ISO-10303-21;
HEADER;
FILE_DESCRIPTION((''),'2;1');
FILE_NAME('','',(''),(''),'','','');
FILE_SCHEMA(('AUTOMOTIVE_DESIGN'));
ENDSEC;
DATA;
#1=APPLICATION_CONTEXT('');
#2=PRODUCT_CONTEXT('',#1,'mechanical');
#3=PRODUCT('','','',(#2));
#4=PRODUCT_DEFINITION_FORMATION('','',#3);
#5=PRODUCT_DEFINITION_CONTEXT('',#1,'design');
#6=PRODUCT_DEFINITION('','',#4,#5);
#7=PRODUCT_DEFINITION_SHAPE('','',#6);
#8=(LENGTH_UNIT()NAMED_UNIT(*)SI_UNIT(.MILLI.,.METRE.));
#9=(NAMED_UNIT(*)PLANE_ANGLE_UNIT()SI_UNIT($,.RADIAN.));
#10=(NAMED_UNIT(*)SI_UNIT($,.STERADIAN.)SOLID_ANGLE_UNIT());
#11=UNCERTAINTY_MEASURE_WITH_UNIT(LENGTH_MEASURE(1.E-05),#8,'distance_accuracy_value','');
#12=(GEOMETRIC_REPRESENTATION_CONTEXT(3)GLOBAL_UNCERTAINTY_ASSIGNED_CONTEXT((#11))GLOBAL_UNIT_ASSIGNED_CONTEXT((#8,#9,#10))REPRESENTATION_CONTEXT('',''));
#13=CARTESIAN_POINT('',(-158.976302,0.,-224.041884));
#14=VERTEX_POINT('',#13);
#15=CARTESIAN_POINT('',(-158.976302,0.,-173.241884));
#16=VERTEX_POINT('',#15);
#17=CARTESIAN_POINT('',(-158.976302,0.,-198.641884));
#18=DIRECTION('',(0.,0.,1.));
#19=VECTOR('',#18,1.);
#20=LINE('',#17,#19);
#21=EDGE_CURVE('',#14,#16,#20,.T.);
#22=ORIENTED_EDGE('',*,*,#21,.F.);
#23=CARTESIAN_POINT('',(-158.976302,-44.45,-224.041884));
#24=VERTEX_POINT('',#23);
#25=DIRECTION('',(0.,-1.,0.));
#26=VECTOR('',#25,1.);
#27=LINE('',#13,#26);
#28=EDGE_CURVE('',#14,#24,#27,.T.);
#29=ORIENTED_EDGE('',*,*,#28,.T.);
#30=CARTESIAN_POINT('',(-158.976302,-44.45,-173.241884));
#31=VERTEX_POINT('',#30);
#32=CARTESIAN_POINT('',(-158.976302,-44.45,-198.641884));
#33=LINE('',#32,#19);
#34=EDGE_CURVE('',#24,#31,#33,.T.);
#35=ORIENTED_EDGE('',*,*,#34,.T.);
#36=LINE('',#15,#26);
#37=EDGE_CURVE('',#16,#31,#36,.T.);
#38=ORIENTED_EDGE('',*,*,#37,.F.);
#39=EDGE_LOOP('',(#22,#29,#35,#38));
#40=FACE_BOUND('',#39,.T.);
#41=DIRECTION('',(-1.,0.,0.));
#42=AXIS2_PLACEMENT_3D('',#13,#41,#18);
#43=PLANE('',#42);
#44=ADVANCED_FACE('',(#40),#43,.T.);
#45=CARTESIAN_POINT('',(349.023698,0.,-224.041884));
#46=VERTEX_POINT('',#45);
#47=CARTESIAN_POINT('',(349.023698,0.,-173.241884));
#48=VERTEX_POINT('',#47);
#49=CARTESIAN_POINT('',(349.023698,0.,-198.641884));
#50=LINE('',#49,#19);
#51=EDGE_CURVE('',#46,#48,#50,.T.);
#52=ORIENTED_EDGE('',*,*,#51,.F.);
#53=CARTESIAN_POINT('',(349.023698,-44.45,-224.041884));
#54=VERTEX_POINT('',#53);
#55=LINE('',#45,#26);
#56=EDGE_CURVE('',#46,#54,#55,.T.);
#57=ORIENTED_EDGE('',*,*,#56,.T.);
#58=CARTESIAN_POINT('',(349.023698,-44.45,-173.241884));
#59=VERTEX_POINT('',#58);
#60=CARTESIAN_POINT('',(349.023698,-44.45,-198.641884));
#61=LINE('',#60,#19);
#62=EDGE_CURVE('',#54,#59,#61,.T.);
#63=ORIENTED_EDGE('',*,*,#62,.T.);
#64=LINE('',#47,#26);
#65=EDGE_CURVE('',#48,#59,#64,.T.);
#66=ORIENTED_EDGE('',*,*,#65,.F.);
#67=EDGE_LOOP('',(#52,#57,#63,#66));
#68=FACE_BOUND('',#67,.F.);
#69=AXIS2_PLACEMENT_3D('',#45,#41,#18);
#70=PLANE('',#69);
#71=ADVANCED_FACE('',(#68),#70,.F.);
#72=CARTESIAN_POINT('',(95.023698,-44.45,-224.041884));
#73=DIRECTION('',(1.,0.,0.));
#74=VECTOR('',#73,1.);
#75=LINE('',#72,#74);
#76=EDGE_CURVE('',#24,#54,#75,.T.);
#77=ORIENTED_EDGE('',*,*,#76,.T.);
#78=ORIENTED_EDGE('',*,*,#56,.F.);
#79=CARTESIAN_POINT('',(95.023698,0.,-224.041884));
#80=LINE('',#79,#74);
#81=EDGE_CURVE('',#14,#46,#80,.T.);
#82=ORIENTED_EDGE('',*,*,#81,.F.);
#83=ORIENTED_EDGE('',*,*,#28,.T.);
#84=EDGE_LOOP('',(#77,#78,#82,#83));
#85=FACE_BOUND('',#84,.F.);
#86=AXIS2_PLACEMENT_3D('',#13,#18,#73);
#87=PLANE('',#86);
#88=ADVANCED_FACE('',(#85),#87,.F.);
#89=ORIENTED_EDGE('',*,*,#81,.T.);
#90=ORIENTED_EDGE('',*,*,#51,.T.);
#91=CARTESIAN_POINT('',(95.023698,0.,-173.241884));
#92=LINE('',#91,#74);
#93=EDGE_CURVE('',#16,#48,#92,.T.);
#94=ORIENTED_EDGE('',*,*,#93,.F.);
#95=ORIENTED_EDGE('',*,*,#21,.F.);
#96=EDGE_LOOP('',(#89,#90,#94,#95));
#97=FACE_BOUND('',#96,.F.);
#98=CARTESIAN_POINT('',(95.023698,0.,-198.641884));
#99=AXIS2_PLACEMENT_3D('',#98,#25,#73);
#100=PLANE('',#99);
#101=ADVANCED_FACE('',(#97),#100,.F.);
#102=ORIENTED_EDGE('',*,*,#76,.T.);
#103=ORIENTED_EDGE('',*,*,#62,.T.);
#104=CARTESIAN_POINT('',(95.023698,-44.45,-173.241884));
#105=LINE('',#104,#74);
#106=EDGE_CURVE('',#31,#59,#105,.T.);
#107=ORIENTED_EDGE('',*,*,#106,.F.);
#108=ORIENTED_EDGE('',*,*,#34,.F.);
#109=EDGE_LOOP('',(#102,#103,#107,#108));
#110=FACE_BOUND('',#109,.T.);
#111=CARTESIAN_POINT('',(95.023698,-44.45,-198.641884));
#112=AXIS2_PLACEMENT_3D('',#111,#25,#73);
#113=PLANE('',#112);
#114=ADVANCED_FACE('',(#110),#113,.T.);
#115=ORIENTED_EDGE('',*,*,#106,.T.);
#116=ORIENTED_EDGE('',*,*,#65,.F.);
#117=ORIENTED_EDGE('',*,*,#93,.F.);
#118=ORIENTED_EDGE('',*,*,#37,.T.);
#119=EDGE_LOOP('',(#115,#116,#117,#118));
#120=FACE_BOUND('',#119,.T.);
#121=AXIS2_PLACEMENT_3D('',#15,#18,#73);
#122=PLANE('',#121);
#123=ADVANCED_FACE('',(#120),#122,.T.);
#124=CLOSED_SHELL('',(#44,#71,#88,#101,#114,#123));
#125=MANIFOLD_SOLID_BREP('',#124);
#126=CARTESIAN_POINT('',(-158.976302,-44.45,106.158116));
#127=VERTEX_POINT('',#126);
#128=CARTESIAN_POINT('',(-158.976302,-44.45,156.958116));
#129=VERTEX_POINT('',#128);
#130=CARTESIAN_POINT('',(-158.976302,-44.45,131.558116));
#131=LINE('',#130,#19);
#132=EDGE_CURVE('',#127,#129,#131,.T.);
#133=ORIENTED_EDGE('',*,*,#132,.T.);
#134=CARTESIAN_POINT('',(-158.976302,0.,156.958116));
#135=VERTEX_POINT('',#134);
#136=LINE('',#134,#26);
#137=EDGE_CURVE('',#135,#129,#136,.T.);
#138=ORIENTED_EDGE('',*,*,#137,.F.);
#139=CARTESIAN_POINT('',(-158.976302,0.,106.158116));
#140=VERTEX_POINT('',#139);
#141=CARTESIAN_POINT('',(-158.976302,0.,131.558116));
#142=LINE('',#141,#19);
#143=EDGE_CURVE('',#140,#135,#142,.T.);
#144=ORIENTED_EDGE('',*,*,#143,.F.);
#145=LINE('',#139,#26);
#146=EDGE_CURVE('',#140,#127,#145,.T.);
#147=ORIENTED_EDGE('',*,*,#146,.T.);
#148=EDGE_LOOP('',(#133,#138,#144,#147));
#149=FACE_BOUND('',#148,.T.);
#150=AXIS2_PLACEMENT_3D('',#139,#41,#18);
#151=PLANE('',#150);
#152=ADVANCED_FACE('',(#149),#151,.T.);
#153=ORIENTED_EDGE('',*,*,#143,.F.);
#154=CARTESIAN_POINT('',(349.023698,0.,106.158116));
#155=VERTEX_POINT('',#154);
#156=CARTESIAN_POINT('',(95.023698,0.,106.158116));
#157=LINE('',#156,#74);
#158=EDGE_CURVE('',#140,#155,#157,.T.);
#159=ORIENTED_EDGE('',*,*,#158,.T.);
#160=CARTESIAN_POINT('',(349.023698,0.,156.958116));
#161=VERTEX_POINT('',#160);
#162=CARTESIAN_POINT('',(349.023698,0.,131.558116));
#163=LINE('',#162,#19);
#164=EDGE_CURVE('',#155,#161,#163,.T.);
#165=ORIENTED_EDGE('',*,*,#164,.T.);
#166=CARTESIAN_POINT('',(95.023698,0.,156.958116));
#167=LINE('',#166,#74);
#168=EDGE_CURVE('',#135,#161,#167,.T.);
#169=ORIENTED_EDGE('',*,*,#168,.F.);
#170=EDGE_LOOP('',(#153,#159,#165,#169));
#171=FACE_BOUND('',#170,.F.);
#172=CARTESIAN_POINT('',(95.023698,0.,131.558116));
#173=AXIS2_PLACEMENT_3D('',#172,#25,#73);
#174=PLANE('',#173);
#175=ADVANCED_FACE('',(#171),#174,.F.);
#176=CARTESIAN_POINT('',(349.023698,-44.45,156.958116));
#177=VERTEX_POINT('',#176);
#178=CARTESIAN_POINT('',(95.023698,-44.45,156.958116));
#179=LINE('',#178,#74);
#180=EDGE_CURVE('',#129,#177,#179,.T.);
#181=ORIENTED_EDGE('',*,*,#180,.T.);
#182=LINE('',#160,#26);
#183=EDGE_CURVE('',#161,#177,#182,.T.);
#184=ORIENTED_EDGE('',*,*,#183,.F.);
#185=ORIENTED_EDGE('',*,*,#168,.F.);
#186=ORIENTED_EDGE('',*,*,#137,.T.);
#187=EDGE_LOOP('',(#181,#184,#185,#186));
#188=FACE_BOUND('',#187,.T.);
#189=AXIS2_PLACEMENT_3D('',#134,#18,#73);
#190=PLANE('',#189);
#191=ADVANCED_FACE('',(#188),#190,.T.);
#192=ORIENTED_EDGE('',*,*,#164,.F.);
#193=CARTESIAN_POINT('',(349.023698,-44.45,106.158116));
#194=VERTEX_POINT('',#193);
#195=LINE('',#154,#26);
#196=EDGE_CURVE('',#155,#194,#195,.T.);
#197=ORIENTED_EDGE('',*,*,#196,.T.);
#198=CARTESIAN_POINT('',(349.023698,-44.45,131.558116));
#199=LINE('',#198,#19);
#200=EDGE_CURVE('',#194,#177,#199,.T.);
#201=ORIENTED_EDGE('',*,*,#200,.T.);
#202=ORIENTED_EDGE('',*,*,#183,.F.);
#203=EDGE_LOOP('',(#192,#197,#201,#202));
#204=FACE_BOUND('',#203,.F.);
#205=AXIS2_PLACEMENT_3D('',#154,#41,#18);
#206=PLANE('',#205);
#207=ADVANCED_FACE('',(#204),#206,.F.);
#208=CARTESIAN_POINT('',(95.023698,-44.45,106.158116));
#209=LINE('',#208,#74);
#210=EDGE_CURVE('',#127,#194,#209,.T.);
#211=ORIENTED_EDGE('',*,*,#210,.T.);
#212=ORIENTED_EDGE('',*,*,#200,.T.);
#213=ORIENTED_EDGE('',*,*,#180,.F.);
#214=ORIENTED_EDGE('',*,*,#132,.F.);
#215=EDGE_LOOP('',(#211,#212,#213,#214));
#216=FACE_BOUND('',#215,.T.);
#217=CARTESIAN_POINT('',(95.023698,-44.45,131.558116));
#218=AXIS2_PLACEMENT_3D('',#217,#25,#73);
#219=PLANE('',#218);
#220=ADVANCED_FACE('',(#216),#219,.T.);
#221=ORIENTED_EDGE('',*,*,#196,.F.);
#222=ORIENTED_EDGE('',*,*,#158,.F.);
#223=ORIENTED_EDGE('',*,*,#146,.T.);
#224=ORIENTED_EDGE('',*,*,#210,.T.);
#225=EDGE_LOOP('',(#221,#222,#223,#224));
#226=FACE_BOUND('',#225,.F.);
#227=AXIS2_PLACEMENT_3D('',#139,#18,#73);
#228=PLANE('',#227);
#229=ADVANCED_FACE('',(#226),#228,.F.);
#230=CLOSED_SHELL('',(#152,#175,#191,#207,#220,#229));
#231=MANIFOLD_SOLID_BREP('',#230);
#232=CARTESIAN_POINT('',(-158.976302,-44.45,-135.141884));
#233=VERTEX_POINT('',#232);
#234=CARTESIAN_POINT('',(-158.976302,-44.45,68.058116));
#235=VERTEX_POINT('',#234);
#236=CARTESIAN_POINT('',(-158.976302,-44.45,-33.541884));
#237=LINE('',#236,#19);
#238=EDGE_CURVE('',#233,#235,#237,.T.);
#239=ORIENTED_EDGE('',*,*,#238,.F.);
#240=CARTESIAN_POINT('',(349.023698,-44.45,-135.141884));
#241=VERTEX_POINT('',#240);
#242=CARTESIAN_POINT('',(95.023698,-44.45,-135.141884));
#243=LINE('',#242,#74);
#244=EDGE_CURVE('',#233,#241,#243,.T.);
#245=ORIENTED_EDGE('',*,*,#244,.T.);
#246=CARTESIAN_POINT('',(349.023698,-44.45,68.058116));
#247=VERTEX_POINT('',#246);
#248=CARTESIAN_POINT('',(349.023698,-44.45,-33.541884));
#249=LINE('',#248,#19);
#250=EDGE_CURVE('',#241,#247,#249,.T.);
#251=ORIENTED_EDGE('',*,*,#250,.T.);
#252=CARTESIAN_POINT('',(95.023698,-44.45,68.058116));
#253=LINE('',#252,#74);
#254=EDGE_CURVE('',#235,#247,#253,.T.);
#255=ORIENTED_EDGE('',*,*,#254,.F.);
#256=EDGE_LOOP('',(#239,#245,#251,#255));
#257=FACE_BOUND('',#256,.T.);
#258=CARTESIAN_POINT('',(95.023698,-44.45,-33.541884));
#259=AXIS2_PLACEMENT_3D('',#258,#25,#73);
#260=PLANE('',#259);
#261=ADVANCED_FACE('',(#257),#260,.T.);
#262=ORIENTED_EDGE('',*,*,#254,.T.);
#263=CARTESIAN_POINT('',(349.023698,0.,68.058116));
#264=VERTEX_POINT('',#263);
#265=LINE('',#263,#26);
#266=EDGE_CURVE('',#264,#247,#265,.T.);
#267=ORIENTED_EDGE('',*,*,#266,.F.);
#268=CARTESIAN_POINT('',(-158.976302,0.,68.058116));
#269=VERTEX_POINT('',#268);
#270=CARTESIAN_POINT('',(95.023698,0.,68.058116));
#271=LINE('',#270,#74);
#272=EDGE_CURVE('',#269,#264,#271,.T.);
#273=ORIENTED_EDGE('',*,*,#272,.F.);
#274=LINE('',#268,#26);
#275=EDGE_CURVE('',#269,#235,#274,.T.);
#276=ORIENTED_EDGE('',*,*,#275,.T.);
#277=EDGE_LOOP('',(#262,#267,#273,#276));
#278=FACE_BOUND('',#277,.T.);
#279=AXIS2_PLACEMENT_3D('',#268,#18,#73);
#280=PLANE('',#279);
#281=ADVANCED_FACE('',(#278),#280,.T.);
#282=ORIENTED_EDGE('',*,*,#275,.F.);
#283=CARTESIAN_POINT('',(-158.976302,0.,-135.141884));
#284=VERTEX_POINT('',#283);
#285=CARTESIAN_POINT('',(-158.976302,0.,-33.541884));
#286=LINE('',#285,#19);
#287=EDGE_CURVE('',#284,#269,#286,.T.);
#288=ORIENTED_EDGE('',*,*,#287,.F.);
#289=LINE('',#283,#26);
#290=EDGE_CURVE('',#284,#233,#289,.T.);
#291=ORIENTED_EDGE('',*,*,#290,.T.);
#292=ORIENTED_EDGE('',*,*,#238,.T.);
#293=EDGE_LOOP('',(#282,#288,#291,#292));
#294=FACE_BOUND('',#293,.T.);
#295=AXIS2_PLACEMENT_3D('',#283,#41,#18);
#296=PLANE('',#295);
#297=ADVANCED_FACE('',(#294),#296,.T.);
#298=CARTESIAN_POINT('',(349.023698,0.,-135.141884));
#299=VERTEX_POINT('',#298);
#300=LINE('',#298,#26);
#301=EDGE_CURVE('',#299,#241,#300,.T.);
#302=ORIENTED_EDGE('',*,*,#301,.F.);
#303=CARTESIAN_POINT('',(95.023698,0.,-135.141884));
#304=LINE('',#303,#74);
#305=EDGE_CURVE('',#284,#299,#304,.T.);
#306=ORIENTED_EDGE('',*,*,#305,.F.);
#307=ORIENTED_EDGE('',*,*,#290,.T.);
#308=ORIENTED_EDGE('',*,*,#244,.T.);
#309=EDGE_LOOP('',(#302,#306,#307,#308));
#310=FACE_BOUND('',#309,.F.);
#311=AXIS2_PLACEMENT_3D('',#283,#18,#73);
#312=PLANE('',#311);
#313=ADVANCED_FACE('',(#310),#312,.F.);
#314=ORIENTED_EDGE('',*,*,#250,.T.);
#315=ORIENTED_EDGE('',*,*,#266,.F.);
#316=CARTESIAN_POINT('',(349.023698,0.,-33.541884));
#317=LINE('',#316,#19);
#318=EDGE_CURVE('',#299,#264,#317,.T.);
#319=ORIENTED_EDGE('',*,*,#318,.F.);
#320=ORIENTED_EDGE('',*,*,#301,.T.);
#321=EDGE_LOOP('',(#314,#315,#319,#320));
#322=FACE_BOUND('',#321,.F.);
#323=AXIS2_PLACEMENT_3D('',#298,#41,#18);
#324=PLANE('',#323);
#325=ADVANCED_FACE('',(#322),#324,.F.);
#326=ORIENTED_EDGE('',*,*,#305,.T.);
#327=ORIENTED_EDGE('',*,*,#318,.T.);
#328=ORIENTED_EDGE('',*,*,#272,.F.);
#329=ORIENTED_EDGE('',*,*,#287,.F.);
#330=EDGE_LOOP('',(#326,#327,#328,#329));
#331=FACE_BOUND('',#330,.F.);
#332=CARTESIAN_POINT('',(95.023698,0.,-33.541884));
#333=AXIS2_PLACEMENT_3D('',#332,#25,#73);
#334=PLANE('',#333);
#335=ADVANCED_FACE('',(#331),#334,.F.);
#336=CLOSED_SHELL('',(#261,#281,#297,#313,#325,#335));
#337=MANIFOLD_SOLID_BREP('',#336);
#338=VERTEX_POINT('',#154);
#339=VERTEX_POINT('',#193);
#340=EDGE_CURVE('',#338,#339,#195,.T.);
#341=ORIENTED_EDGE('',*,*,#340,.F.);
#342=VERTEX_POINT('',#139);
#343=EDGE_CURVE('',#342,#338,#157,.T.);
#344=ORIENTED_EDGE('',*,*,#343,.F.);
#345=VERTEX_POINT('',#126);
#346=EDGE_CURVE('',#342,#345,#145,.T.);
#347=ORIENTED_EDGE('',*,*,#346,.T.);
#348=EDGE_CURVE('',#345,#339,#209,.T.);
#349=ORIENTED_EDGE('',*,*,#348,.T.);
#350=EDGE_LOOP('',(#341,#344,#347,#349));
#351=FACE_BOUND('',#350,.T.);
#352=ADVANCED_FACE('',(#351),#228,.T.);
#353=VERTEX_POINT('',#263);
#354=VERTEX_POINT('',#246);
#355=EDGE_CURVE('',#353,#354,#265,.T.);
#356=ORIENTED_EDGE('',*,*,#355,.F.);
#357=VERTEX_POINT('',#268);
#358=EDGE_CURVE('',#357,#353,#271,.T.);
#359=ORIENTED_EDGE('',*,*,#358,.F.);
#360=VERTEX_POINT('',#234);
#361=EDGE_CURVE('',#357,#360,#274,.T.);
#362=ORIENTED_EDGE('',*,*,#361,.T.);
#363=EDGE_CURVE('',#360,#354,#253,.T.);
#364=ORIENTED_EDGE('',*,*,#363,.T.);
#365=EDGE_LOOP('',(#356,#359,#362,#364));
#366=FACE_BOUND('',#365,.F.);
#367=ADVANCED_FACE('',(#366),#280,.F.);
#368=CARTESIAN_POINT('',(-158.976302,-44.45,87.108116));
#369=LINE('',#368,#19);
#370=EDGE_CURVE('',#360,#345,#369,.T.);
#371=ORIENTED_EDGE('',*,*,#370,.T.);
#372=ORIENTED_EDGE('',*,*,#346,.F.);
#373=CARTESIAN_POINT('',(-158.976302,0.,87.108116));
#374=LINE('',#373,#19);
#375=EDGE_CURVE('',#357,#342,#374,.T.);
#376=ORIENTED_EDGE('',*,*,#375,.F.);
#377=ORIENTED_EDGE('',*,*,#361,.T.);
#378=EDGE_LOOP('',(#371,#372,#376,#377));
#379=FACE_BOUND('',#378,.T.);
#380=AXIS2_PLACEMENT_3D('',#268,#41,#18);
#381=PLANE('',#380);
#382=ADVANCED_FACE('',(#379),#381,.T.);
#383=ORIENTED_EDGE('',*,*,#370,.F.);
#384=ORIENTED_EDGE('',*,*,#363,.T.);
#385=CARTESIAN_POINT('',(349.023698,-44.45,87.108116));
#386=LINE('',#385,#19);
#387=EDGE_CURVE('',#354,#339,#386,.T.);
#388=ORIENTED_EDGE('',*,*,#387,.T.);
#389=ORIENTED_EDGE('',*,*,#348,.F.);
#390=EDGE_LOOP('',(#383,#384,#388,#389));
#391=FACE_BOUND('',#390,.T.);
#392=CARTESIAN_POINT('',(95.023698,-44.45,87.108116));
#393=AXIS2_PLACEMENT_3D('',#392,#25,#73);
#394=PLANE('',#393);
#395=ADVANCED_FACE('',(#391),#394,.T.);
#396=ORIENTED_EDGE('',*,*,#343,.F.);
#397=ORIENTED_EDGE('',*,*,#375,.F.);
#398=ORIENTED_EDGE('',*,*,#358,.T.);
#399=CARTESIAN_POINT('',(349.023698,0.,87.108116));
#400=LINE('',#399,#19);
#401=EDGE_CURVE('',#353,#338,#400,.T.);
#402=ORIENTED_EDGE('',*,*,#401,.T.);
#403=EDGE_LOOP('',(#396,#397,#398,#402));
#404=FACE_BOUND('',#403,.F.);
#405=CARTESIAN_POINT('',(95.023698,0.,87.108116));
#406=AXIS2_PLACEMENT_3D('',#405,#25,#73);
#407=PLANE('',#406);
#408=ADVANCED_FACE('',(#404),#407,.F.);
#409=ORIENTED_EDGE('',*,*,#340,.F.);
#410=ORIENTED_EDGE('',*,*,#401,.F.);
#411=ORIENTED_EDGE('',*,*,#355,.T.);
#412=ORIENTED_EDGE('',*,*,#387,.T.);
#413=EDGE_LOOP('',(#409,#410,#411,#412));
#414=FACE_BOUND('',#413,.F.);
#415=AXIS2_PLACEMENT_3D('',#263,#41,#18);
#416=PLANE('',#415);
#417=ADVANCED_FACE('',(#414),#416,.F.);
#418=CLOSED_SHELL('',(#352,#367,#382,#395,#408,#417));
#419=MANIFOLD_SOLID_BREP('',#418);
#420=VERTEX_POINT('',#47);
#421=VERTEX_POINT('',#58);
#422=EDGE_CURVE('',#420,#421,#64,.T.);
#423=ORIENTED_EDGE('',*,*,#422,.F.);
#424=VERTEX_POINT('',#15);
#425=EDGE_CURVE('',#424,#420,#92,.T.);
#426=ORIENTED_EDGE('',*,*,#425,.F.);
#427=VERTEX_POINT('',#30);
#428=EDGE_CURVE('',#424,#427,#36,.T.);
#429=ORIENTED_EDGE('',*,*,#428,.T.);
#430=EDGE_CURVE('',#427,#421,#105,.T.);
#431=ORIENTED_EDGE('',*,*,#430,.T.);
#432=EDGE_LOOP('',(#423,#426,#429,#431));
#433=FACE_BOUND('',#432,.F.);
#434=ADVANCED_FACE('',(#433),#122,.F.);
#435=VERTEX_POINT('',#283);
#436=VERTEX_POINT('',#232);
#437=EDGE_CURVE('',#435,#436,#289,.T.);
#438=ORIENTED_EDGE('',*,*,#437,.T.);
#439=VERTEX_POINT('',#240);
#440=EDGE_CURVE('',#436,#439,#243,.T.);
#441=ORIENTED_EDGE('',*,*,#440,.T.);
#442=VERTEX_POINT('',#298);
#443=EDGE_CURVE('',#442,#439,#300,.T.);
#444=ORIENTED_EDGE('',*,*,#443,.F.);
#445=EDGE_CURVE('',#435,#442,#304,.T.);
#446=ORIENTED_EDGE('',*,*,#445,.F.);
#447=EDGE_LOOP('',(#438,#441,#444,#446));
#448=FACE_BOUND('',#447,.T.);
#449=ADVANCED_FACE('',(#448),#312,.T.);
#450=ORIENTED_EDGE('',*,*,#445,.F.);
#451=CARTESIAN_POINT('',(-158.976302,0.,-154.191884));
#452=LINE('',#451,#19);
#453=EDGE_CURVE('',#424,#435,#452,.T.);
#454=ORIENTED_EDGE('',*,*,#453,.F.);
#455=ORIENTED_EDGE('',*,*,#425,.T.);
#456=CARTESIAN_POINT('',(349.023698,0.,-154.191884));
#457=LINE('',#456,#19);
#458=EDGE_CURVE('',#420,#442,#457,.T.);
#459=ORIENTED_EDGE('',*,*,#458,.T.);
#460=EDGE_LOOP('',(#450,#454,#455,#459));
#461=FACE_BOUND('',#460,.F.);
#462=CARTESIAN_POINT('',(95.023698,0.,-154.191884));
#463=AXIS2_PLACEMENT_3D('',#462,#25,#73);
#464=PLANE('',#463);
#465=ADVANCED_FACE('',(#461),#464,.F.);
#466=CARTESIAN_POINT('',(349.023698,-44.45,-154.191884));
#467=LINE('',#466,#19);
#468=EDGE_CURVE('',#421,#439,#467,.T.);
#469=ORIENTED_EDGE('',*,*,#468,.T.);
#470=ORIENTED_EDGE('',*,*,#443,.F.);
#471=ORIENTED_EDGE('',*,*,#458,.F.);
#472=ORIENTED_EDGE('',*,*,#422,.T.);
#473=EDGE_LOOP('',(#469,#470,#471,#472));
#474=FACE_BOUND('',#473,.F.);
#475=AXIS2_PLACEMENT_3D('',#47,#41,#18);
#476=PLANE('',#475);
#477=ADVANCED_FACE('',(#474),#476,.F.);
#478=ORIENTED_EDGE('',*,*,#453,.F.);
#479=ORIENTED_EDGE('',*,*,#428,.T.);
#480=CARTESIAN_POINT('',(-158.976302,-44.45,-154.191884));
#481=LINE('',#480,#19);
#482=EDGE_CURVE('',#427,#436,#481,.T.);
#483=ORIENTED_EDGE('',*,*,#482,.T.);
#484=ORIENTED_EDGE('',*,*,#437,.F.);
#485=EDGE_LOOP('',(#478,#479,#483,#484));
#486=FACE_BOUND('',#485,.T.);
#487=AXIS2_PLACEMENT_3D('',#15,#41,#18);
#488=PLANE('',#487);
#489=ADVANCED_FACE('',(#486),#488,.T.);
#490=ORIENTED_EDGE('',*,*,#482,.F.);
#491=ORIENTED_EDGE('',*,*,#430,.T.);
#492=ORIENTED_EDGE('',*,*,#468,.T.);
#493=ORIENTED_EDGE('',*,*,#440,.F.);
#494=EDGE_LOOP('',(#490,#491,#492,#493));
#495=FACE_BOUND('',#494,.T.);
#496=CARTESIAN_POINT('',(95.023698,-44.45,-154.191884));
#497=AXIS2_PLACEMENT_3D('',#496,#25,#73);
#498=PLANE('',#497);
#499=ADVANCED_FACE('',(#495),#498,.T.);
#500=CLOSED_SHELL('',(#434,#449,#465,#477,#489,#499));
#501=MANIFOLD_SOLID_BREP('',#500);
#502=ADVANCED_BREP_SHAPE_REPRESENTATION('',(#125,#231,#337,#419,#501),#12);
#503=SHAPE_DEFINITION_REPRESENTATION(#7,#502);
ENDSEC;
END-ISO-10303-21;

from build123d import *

# Parameters (mm, degrees)
F0_W     = 508
F0_H     = 38.1
F1_DEPTH = 44.45
F2_DEPTH = 44.45
F0_H_2   = 203.2
F0_H_3   = 50.8
F3_DEPTH = 44.45


with BuildPart() as f1:
    # F0 (on Front) → F1 (new body)
    with BuildSketch(Plane.XZ):
        with Locations((95.023698, 87.108116)):
            Rectangle(F0_W, F0_H)
    extrude(amount=F1_DEPTH)


with BuildPart() as f2:
    # F0 (on Front) → F2 (new body)
    with BuildSketch(Plane.XZ):
        with Locations((95.023698, -154.191884)):
            Rectangle(F0_W, F0_H)
    extrude(amount=F2_DEPTH)


with BuildPart() as f3:
    # F0 (on Front) → F3 (new body)
    with BuildSketch(Plane.XZ):
        with Locations((95.023698, -33.541884)):
            Rectangle(F0_W, F0_H_2)
        with Locations((95.023698, 131.558116)):
            Rectangle(F0_W, F0_H_3)
        with Locations((95.023698, -198.641884)):
            Rectangle(F0_W, F0_H_3)
    extrude(amount=F3_DEPTH)


solid = Compound([f1.part, f2.part, f3.part])
